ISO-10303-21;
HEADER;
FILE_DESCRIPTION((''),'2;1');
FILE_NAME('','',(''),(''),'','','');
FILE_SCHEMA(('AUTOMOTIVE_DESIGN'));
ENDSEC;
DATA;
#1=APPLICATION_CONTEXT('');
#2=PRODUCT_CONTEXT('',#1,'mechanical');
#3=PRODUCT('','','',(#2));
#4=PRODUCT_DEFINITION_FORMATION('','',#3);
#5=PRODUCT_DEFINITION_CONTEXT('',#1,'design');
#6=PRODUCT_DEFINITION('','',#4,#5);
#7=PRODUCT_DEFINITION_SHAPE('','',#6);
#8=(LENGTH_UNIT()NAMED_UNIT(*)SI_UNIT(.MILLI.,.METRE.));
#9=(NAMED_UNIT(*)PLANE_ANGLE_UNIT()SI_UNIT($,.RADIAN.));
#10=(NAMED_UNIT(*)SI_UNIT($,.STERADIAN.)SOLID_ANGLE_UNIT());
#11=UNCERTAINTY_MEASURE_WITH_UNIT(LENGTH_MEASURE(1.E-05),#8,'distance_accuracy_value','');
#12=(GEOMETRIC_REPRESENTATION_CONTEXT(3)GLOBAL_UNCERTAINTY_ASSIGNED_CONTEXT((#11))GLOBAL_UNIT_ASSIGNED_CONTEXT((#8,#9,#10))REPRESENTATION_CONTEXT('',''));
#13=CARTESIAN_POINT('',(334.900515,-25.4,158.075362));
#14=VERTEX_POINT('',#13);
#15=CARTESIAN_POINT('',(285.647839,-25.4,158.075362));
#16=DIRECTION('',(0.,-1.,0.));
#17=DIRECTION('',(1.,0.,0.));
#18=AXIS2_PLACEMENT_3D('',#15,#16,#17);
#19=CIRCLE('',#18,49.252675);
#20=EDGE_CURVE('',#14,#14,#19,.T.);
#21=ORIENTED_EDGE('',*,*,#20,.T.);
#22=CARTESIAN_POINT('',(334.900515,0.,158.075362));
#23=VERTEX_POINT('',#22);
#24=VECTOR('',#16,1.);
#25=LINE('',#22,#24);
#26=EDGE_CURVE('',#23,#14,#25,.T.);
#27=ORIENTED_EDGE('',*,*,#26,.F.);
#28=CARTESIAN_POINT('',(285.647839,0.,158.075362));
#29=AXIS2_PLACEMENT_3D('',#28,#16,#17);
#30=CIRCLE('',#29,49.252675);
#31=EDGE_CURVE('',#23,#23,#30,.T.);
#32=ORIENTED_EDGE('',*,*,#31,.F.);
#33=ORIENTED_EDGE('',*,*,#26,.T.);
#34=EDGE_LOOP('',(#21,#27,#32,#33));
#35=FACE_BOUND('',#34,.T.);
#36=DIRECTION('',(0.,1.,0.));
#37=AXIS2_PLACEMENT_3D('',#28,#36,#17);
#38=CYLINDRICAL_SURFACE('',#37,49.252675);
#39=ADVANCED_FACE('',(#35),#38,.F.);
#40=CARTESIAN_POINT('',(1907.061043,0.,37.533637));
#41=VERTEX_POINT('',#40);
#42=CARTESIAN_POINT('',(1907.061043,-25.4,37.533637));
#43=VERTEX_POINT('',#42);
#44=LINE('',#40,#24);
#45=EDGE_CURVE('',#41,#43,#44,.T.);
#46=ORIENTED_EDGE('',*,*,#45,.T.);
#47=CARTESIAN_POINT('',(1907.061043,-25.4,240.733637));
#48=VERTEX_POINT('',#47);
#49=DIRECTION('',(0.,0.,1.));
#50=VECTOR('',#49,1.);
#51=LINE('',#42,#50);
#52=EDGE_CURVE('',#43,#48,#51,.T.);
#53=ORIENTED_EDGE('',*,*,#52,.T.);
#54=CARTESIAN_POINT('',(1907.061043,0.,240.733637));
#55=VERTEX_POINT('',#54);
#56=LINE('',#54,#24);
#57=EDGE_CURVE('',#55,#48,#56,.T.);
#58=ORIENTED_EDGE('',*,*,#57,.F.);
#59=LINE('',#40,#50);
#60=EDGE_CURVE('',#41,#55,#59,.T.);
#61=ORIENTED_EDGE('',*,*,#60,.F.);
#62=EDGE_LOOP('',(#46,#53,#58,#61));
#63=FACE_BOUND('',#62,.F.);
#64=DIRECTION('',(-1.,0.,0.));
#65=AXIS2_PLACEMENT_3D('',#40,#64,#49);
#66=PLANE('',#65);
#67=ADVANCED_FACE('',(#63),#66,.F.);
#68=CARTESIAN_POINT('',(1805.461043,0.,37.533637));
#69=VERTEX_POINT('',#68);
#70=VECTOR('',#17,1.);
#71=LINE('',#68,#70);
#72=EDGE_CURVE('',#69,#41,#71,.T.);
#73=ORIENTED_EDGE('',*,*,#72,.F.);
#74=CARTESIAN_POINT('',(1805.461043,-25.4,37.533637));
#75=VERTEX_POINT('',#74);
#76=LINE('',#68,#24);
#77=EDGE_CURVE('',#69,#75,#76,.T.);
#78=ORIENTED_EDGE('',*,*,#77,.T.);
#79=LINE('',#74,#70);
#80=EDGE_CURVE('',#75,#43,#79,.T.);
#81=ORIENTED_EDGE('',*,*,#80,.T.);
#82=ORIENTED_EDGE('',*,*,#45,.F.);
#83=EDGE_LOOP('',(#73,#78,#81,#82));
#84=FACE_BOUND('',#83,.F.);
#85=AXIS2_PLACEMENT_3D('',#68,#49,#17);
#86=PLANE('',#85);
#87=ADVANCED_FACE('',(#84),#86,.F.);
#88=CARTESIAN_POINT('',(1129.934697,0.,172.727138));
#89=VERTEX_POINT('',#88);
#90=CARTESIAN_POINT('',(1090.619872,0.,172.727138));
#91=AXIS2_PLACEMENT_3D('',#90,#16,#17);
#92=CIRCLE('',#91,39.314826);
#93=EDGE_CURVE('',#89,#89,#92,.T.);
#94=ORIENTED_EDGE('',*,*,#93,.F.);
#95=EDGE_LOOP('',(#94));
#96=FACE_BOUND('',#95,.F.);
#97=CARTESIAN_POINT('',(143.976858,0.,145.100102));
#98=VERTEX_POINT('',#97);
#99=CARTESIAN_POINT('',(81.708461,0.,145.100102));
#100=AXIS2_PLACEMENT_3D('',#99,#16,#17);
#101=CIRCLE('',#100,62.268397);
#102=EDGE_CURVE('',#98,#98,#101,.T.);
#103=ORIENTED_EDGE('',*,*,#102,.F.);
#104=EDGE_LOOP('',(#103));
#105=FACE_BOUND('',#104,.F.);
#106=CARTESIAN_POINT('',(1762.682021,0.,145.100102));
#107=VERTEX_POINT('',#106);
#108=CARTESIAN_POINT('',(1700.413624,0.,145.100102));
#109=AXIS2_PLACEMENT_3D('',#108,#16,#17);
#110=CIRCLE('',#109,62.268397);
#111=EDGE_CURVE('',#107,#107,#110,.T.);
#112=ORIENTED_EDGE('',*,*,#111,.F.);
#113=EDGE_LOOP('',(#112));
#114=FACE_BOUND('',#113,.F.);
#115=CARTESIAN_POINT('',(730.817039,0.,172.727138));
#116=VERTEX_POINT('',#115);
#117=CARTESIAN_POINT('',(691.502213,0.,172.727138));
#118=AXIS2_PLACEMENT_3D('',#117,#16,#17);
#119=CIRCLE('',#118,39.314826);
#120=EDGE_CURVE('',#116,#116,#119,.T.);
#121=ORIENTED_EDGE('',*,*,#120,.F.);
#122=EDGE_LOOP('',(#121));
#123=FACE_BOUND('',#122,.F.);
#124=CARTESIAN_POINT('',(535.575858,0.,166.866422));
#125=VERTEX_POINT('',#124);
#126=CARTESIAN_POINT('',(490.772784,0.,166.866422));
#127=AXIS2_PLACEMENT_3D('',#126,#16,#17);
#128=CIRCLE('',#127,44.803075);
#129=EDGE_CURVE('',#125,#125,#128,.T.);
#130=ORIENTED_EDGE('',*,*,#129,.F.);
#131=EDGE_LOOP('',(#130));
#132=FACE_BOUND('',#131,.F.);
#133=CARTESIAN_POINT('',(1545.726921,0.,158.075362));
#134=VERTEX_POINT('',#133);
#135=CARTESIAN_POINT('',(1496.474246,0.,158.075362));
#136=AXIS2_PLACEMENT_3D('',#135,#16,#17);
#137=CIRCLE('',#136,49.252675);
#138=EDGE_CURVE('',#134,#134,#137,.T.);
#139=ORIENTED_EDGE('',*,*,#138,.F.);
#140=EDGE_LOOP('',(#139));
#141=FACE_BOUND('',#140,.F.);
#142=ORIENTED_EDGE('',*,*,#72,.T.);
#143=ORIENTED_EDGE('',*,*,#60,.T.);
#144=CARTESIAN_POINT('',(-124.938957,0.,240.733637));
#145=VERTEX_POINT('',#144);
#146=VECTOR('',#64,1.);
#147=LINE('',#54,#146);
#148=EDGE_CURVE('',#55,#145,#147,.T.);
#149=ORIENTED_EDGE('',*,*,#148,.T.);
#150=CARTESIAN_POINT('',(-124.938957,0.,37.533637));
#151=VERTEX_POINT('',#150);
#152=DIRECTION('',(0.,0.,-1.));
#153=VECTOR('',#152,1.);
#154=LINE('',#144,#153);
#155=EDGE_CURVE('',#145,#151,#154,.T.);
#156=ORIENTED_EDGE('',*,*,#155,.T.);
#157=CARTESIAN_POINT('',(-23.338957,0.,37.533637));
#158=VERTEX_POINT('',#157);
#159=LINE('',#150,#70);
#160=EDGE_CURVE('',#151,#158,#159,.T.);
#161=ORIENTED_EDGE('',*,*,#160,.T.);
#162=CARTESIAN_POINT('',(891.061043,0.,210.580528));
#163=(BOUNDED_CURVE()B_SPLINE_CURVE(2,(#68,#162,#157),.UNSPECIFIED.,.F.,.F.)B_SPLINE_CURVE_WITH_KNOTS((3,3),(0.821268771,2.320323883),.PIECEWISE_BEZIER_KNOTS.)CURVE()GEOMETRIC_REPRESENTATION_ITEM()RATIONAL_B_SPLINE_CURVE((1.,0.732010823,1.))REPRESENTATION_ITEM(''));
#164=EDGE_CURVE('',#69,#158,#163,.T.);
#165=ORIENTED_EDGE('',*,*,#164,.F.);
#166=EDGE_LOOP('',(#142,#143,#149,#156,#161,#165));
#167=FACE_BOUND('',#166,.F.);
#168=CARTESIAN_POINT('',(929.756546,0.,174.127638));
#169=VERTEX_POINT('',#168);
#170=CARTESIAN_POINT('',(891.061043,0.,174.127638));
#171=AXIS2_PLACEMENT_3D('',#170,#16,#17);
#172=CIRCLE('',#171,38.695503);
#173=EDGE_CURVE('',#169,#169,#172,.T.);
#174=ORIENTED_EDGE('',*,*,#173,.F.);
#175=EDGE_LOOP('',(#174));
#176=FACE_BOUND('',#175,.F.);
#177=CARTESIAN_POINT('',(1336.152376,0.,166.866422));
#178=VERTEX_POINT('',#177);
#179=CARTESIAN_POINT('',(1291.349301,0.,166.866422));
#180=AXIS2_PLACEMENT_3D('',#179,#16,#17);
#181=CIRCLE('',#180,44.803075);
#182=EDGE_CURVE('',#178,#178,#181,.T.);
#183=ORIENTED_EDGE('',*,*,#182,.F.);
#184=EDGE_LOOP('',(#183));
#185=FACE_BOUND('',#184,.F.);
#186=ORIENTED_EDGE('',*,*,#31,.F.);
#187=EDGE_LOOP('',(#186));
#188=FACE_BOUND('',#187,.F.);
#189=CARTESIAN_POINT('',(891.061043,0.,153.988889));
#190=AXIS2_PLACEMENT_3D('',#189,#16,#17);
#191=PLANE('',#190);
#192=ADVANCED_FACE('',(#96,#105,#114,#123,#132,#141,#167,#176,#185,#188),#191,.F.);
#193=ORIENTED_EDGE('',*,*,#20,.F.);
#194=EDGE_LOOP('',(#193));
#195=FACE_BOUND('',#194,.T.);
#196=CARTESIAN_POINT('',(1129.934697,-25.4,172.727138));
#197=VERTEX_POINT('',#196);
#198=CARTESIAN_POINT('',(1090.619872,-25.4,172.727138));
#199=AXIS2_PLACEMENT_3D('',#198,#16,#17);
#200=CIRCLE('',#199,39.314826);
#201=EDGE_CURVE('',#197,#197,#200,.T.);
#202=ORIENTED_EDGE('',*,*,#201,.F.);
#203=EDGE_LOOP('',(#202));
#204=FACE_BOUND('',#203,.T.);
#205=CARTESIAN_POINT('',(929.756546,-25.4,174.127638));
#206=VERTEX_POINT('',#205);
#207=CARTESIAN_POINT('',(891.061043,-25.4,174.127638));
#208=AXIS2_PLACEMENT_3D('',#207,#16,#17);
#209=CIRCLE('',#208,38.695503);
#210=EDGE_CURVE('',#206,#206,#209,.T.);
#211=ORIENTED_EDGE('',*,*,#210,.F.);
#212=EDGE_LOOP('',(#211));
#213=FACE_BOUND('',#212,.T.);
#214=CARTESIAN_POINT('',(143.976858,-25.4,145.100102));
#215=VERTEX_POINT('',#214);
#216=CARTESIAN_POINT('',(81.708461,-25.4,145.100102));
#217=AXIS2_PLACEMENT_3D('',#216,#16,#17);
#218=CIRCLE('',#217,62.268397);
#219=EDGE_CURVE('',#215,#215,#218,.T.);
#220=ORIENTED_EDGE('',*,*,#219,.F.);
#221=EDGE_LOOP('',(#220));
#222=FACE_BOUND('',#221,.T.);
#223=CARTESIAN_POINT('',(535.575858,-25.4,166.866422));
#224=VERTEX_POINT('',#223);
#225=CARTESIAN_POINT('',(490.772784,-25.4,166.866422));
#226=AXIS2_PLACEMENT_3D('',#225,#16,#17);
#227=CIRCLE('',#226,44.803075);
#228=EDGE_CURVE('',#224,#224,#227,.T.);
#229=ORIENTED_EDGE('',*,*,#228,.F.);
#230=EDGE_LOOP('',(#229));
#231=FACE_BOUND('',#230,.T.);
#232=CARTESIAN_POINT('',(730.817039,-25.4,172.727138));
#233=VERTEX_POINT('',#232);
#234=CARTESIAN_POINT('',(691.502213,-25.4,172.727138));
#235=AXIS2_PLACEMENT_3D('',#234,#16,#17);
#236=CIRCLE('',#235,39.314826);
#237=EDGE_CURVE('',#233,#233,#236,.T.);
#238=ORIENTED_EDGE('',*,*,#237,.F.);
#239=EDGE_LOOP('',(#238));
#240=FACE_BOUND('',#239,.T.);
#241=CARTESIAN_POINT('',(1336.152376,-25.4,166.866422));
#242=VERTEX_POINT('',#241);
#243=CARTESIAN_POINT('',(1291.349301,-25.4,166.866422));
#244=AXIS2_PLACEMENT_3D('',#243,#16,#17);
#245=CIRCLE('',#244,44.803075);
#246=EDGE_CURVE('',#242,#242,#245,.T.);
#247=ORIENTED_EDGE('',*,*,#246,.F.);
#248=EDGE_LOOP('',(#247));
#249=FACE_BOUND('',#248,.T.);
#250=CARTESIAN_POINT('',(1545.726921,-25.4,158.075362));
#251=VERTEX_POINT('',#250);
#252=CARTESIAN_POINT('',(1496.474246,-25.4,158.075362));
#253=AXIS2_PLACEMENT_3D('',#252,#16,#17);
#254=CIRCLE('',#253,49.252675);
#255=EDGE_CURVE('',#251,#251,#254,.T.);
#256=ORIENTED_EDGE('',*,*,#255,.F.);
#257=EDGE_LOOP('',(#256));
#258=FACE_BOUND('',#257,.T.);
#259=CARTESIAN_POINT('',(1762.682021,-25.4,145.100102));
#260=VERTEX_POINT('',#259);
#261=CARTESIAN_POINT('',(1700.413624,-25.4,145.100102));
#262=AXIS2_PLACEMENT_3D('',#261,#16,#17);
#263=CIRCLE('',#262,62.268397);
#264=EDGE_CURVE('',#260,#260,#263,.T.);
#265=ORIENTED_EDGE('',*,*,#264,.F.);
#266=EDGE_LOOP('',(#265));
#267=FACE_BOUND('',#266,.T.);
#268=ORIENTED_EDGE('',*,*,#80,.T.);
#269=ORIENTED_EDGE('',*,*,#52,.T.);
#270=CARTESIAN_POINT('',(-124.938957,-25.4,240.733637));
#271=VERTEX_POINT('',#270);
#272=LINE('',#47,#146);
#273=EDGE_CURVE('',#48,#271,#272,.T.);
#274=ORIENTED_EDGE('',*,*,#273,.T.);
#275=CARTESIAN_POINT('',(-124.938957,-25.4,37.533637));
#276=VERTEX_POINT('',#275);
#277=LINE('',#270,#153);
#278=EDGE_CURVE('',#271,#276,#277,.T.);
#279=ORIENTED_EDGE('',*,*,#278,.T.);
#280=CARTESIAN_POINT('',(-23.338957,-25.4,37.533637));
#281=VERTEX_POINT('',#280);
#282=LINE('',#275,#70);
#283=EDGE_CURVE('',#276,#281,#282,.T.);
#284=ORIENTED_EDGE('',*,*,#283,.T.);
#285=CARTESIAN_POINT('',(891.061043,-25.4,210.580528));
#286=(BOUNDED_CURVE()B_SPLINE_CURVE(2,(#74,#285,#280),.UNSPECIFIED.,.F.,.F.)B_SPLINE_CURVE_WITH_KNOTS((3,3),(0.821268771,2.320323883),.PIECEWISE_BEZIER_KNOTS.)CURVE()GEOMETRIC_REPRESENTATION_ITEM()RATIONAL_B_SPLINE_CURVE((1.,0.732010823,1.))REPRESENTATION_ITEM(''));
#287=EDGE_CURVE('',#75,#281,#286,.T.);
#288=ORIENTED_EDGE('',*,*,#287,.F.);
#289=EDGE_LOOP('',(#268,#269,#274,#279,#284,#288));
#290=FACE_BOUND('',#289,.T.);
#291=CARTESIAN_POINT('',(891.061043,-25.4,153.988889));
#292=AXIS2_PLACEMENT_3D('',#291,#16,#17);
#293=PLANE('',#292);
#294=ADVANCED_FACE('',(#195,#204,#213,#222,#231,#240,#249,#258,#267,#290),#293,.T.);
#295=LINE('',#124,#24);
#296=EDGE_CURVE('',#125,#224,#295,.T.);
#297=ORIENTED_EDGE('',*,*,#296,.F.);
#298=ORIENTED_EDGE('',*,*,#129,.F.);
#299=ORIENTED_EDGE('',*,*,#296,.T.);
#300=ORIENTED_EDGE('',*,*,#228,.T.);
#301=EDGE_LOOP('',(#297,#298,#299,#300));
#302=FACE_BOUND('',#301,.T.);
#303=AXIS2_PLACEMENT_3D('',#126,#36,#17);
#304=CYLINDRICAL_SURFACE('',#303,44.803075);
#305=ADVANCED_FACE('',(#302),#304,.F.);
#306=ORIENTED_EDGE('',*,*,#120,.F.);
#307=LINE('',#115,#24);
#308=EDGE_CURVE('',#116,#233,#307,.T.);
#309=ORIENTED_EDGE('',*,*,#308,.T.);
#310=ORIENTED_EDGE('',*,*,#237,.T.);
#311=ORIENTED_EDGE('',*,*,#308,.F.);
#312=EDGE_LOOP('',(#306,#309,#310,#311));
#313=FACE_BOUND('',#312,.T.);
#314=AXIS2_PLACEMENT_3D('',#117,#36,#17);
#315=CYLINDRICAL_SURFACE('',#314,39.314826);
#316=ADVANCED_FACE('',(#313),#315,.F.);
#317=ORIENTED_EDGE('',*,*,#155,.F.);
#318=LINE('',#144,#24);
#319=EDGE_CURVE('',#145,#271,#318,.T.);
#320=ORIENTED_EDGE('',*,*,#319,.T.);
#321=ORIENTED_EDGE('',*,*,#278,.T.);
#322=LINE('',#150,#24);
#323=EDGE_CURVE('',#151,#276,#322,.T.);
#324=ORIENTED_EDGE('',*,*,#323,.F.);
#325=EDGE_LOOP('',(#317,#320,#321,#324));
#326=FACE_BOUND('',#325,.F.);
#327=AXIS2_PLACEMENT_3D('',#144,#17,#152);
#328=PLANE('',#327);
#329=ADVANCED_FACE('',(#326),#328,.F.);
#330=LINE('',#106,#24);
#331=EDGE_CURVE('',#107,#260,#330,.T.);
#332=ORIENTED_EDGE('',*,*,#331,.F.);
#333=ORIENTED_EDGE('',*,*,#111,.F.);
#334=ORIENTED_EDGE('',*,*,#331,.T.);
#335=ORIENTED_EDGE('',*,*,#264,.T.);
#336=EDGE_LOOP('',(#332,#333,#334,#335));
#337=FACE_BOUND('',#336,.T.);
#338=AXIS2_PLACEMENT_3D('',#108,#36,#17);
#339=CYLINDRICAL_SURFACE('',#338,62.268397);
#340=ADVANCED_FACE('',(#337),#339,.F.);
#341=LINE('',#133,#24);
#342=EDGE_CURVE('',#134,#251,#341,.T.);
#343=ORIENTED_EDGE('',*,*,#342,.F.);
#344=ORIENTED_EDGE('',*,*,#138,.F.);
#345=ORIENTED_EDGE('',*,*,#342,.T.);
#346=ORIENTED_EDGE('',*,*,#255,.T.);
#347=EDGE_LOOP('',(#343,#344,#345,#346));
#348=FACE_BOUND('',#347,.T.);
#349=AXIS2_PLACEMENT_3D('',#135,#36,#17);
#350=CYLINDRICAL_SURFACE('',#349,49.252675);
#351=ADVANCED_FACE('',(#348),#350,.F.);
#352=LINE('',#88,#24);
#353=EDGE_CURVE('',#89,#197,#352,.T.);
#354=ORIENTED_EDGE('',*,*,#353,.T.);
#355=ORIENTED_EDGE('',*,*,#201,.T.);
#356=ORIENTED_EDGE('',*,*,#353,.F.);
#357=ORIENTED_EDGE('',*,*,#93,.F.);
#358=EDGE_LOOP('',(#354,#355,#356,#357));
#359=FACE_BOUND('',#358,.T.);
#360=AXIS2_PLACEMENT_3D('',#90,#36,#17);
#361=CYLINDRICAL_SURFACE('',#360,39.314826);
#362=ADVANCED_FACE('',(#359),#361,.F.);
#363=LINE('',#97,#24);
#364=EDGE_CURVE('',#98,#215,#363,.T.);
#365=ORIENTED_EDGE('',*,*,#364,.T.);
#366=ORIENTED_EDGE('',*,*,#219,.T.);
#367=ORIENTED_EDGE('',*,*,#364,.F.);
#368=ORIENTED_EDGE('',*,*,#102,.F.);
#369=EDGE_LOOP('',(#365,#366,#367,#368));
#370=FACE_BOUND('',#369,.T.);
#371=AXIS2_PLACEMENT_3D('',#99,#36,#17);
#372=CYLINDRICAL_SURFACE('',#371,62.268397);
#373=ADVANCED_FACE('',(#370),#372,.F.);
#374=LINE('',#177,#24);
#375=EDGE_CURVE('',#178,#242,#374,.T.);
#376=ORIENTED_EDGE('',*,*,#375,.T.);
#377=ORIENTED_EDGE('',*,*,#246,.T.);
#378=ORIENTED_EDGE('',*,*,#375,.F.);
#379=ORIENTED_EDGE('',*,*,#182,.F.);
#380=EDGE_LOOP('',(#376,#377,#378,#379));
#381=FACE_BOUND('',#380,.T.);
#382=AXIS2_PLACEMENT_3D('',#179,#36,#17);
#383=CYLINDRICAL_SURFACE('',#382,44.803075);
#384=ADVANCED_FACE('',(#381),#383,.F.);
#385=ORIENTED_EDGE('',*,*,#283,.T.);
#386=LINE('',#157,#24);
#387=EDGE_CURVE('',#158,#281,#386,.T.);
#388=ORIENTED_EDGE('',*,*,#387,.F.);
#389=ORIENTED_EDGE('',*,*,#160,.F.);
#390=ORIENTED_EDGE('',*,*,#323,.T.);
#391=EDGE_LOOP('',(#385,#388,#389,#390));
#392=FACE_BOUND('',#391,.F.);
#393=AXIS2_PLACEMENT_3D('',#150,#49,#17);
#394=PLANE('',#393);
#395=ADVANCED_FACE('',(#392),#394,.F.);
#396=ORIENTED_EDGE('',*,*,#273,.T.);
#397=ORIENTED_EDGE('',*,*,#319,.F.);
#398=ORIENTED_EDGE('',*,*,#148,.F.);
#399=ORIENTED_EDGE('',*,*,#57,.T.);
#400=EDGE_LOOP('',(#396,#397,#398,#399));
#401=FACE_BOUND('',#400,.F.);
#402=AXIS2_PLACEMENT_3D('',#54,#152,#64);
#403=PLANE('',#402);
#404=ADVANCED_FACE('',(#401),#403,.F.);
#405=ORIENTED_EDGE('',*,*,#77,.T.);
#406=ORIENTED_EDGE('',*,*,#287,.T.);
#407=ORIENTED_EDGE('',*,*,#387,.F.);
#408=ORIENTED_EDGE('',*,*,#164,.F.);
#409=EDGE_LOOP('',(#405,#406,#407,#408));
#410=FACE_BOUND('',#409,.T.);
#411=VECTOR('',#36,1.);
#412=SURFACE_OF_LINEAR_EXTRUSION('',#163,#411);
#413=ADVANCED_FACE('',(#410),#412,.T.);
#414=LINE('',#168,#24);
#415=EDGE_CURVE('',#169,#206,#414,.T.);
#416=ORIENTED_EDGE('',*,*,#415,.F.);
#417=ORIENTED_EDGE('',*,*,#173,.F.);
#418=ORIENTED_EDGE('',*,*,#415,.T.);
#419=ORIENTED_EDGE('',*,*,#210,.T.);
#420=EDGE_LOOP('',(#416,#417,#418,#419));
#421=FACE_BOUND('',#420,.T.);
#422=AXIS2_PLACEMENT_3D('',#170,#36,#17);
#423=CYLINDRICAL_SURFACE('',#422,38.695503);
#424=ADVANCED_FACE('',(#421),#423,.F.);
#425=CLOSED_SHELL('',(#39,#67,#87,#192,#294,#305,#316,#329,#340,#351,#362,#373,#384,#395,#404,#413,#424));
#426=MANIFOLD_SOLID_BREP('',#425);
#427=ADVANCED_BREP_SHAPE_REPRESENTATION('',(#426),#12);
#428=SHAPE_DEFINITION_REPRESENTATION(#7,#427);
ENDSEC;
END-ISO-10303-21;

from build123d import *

# Parameters (mm, degrees)
F0_R     = 62.2683969294
F0_R_2   = 49.2526752523
F0_R_3   = 44.8030745343
F0_R_4   = 39.3148255075
F0_R_5   = 38.6955031636
F1_DEPTH = 25.4


with BuildPart() as f1:
    # F0 (on Front) → F1 (new body)
    with BuildSketch(Plane.XZ):
        with BuildLine():
            Line((1907.0610426068, 240.7336371362), (-124.9389573932, 240.7336371362))
            Line((-124.9389573932, 240.7336371362), (-124.9389573932, 37.5336371362))
            Line((-124.9389573932, 37.5336371362), (-23.3389573932, 37.5336371362))
            add(Edge.make_bspline(
                [(1805.4610426068, 37.5336371362), (891.0610426068, 210.5805279062), (-23.3389573932, 37.5336371362)],
                knots=[0.8212687708, 0.8212687708, 0.8212687708, 2.3203238827, 2.3203238827, 2.3203238827], degree=2, weights=[1, 0.7320108234, 1]))
            Line((1805.4610426068, 37.5336371362), (1907.0610426068, 37.5336371362))
            Line((1907.0610426068, 37.5336371362), (1907.0610426068, 240.7336371362))
        make_face()
        with Locations((81.7084610462, 145.1001018286)):
            Circle(F0_R, mode=Mode.SUBTRACT)
        with Locations((285.6478393078, 158.0753624439)):
            Circle(F0_R_2, mode=Mode.SUBTRACT)
        with Locations((490.7727837563, 166.8664216995)):
            Circle(F0_R_3, mode=Mode.SUBTRACT)
        with Locations((691.5022134781, 172.727137804)):
            Circle(F0_R_4, mode=Mode.SUBTRACT)
        with Locations((891.0610426068, 174.12763834)):
            Circle(F0_R_5, mode=Mode.SUBTRACT)
        with Locations((1090.6198717356, 172.727137804)):
            Circle(F0_R_4, mode=Mode.SUBTRACT)
        with Locations((1291.3493014574, 166.8664216995)):
            Circle(F0_R_3, mode=Mode.SUBTRACT)
        with Locations((1496.4742459059, 158.0753624439)):
            Circle(F0_R_2, mode=Mode.SUBTRACT)
        with Locations((1700.4136241674, 145.1001018286)):
            Circle(F0_R, mode=Mode.SUBTRACT)
    extrude(amount=F1_DEPTH)


solid = f1.part
